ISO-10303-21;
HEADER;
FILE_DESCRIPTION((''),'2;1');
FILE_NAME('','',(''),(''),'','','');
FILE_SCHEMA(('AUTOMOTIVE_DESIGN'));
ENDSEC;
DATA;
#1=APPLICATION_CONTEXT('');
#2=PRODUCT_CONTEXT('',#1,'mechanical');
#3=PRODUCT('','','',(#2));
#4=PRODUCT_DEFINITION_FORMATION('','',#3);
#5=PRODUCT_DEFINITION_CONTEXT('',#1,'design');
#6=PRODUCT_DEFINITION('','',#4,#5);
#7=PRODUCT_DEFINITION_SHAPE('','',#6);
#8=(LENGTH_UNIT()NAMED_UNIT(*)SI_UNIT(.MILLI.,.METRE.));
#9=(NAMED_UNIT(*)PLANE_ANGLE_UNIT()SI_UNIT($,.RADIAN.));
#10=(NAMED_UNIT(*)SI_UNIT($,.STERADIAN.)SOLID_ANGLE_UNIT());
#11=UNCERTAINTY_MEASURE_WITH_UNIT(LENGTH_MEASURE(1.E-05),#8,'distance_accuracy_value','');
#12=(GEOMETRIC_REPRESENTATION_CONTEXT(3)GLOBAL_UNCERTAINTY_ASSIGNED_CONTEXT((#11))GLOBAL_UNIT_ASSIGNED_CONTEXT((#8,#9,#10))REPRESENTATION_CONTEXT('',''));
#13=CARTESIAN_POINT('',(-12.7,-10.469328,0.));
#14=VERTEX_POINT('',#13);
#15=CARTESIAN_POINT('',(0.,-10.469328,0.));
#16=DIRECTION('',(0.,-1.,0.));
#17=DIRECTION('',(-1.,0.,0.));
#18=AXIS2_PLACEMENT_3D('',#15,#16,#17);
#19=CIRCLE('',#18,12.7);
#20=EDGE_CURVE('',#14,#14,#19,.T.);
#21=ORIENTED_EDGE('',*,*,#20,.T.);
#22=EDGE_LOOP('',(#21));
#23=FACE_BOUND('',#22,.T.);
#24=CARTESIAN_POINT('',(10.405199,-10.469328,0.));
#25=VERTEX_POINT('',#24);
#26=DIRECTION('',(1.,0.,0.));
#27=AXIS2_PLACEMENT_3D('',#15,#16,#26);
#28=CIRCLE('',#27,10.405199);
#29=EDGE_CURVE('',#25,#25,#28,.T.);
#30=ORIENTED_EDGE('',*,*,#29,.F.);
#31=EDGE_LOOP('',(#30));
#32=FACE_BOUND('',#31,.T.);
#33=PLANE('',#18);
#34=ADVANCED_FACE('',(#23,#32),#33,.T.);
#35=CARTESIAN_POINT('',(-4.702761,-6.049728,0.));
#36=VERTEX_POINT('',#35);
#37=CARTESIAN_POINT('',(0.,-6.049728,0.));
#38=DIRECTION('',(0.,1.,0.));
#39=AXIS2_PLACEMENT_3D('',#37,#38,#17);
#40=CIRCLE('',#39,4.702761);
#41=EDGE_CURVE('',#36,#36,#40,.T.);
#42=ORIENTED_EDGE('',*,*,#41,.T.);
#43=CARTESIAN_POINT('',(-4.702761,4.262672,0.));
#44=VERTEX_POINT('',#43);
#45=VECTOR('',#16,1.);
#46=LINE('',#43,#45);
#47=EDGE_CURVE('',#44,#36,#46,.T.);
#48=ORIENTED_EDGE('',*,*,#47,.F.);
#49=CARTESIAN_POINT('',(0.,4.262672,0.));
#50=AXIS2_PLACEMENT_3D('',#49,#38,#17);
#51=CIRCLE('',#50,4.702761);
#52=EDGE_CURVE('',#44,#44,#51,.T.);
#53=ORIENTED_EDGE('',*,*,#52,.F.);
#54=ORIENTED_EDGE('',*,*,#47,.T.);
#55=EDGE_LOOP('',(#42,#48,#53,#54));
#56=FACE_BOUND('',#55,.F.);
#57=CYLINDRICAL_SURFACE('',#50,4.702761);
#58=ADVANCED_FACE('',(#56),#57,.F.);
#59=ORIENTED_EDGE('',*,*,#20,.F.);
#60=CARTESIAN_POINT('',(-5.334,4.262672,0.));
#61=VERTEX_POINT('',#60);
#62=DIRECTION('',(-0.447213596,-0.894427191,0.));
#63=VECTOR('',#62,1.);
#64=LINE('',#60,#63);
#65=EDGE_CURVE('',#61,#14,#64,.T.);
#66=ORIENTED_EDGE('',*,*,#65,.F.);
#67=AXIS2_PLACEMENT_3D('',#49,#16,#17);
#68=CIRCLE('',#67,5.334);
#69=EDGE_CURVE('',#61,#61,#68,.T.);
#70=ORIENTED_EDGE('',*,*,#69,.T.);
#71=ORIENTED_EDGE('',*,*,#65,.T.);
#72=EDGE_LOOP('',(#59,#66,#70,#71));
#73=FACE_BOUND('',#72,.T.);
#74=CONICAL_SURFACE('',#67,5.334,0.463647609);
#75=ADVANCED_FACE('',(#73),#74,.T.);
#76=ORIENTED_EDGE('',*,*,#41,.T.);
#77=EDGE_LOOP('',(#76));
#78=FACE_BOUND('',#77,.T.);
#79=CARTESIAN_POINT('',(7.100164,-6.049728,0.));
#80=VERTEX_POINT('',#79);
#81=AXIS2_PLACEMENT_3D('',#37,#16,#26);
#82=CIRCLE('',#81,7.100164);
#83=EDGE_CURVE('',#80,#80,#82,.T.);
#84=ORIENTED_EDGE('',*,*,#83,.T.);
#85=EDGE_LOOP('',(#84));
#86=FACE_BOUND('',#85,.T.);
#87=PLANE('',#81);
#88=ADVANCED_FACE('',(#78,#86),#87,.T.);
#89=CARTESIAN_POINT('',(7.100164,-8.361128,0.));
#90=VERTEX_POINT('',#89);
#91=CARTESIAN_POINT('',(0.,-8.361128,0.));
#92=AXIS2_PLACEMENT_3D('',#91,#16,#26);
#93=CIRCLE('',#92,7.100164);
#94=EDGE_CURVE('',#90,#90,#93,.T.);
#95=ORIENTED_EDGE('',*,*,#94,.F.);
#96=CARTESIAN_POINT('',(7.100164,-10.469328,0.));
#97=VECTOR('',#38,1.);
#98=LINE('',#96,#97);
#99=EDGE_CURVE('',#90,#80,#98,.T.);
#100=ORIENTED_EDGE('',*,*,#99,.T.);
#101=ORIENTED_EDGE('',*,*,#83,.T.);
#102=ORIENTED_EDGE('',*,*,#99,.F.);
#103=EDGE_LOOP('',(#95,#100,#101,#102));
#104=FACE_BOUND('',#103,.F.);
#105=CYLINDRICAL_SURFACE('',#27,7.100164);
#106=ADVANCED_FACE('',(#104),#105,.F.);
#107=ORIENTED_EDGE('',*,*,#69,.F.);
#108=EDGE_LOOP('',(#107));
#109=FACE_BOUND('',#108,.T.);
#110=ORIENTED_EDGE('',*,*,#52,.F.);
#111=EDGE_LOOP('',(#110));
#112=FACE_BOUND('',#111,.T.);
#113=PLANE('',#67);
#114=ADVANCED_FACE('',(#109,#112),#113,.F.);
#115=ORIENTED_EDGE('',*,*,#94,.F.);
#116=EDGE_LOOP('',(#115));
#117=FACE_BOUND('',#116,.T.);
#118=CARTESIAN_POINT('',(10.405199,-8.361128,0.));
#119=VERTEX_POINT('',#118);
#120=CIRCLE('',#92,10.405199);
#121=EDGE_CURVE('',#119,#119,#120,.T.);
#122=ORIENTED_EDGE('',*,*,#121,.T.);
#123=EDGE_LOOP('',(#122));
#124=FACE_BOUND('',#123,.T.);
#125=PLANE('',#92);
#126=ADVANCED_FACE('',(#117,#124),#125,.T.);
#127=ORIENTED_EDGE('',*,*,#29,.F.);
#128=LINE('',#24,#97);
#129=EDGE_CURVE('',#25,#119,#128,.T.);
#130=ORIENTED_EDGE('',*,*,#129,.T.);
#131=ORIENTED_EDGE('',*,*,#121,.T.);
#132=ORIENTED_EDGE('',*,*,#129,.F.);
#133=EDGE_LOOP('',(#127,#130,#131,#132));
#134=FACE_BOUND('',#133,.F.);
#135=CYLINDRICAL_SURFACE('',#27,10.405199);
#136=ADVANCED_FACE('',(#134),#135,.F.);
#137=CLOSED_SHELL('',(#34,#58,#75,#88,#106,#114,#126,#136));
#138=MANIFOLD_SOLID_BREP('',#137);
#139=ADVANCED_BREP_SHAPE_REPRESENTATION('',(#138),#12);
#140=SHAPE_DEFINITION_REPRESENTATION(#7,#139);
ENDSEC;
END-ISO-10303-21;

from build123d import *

# Parameters (mm, degrees)
F2_R     = 4.702761
F3_DEPTH = 25.4
F5_R     = 7.100164
F6_DEPTH = 4.4196
F7_R     = 10.405199
F8_DEPTH = 2.1082


with BuildPart() as f1:
    # F0 (on Top) → F1 (revolve)
    with BuildSketch(Plane.XY):
        Polygon((0, -10.469328), (0, 4.262672), (-5.334, 4.262672), (-12.7, -10.469328), align=None)
    revolve(axis=Axis((0, 2.230672, 0), (0, -1, 0)))

    # F2 (on face) → F3 (cut)
    with BuildSketch(Plane(origin=(0, 4.262672, 0), x_dir=(-1, 0, 0), z_dir=(0, 1, 0))):
        Circle(F2_R)
    extrude(amount=-F3_DEPTH, mode=Mode.SUBTRACT)

    # F5 (on face) → F6 (cut)
    with BuildSketch(Plane.XZ.offset(10.469328)):
        Circle(F5_R)
    extrude(amount=-F6_DEPTH, mode=Mode.SUBTRACT)

    # F7 (on face) → F8 (cut)
    with BuildSketch(Plane.XZ.offset(10.469328)):
        Circle(F7_R)
    extrude(amount=-F8_DEPTH, mode=Mode.SUBTRACT)


solid = f1.part
